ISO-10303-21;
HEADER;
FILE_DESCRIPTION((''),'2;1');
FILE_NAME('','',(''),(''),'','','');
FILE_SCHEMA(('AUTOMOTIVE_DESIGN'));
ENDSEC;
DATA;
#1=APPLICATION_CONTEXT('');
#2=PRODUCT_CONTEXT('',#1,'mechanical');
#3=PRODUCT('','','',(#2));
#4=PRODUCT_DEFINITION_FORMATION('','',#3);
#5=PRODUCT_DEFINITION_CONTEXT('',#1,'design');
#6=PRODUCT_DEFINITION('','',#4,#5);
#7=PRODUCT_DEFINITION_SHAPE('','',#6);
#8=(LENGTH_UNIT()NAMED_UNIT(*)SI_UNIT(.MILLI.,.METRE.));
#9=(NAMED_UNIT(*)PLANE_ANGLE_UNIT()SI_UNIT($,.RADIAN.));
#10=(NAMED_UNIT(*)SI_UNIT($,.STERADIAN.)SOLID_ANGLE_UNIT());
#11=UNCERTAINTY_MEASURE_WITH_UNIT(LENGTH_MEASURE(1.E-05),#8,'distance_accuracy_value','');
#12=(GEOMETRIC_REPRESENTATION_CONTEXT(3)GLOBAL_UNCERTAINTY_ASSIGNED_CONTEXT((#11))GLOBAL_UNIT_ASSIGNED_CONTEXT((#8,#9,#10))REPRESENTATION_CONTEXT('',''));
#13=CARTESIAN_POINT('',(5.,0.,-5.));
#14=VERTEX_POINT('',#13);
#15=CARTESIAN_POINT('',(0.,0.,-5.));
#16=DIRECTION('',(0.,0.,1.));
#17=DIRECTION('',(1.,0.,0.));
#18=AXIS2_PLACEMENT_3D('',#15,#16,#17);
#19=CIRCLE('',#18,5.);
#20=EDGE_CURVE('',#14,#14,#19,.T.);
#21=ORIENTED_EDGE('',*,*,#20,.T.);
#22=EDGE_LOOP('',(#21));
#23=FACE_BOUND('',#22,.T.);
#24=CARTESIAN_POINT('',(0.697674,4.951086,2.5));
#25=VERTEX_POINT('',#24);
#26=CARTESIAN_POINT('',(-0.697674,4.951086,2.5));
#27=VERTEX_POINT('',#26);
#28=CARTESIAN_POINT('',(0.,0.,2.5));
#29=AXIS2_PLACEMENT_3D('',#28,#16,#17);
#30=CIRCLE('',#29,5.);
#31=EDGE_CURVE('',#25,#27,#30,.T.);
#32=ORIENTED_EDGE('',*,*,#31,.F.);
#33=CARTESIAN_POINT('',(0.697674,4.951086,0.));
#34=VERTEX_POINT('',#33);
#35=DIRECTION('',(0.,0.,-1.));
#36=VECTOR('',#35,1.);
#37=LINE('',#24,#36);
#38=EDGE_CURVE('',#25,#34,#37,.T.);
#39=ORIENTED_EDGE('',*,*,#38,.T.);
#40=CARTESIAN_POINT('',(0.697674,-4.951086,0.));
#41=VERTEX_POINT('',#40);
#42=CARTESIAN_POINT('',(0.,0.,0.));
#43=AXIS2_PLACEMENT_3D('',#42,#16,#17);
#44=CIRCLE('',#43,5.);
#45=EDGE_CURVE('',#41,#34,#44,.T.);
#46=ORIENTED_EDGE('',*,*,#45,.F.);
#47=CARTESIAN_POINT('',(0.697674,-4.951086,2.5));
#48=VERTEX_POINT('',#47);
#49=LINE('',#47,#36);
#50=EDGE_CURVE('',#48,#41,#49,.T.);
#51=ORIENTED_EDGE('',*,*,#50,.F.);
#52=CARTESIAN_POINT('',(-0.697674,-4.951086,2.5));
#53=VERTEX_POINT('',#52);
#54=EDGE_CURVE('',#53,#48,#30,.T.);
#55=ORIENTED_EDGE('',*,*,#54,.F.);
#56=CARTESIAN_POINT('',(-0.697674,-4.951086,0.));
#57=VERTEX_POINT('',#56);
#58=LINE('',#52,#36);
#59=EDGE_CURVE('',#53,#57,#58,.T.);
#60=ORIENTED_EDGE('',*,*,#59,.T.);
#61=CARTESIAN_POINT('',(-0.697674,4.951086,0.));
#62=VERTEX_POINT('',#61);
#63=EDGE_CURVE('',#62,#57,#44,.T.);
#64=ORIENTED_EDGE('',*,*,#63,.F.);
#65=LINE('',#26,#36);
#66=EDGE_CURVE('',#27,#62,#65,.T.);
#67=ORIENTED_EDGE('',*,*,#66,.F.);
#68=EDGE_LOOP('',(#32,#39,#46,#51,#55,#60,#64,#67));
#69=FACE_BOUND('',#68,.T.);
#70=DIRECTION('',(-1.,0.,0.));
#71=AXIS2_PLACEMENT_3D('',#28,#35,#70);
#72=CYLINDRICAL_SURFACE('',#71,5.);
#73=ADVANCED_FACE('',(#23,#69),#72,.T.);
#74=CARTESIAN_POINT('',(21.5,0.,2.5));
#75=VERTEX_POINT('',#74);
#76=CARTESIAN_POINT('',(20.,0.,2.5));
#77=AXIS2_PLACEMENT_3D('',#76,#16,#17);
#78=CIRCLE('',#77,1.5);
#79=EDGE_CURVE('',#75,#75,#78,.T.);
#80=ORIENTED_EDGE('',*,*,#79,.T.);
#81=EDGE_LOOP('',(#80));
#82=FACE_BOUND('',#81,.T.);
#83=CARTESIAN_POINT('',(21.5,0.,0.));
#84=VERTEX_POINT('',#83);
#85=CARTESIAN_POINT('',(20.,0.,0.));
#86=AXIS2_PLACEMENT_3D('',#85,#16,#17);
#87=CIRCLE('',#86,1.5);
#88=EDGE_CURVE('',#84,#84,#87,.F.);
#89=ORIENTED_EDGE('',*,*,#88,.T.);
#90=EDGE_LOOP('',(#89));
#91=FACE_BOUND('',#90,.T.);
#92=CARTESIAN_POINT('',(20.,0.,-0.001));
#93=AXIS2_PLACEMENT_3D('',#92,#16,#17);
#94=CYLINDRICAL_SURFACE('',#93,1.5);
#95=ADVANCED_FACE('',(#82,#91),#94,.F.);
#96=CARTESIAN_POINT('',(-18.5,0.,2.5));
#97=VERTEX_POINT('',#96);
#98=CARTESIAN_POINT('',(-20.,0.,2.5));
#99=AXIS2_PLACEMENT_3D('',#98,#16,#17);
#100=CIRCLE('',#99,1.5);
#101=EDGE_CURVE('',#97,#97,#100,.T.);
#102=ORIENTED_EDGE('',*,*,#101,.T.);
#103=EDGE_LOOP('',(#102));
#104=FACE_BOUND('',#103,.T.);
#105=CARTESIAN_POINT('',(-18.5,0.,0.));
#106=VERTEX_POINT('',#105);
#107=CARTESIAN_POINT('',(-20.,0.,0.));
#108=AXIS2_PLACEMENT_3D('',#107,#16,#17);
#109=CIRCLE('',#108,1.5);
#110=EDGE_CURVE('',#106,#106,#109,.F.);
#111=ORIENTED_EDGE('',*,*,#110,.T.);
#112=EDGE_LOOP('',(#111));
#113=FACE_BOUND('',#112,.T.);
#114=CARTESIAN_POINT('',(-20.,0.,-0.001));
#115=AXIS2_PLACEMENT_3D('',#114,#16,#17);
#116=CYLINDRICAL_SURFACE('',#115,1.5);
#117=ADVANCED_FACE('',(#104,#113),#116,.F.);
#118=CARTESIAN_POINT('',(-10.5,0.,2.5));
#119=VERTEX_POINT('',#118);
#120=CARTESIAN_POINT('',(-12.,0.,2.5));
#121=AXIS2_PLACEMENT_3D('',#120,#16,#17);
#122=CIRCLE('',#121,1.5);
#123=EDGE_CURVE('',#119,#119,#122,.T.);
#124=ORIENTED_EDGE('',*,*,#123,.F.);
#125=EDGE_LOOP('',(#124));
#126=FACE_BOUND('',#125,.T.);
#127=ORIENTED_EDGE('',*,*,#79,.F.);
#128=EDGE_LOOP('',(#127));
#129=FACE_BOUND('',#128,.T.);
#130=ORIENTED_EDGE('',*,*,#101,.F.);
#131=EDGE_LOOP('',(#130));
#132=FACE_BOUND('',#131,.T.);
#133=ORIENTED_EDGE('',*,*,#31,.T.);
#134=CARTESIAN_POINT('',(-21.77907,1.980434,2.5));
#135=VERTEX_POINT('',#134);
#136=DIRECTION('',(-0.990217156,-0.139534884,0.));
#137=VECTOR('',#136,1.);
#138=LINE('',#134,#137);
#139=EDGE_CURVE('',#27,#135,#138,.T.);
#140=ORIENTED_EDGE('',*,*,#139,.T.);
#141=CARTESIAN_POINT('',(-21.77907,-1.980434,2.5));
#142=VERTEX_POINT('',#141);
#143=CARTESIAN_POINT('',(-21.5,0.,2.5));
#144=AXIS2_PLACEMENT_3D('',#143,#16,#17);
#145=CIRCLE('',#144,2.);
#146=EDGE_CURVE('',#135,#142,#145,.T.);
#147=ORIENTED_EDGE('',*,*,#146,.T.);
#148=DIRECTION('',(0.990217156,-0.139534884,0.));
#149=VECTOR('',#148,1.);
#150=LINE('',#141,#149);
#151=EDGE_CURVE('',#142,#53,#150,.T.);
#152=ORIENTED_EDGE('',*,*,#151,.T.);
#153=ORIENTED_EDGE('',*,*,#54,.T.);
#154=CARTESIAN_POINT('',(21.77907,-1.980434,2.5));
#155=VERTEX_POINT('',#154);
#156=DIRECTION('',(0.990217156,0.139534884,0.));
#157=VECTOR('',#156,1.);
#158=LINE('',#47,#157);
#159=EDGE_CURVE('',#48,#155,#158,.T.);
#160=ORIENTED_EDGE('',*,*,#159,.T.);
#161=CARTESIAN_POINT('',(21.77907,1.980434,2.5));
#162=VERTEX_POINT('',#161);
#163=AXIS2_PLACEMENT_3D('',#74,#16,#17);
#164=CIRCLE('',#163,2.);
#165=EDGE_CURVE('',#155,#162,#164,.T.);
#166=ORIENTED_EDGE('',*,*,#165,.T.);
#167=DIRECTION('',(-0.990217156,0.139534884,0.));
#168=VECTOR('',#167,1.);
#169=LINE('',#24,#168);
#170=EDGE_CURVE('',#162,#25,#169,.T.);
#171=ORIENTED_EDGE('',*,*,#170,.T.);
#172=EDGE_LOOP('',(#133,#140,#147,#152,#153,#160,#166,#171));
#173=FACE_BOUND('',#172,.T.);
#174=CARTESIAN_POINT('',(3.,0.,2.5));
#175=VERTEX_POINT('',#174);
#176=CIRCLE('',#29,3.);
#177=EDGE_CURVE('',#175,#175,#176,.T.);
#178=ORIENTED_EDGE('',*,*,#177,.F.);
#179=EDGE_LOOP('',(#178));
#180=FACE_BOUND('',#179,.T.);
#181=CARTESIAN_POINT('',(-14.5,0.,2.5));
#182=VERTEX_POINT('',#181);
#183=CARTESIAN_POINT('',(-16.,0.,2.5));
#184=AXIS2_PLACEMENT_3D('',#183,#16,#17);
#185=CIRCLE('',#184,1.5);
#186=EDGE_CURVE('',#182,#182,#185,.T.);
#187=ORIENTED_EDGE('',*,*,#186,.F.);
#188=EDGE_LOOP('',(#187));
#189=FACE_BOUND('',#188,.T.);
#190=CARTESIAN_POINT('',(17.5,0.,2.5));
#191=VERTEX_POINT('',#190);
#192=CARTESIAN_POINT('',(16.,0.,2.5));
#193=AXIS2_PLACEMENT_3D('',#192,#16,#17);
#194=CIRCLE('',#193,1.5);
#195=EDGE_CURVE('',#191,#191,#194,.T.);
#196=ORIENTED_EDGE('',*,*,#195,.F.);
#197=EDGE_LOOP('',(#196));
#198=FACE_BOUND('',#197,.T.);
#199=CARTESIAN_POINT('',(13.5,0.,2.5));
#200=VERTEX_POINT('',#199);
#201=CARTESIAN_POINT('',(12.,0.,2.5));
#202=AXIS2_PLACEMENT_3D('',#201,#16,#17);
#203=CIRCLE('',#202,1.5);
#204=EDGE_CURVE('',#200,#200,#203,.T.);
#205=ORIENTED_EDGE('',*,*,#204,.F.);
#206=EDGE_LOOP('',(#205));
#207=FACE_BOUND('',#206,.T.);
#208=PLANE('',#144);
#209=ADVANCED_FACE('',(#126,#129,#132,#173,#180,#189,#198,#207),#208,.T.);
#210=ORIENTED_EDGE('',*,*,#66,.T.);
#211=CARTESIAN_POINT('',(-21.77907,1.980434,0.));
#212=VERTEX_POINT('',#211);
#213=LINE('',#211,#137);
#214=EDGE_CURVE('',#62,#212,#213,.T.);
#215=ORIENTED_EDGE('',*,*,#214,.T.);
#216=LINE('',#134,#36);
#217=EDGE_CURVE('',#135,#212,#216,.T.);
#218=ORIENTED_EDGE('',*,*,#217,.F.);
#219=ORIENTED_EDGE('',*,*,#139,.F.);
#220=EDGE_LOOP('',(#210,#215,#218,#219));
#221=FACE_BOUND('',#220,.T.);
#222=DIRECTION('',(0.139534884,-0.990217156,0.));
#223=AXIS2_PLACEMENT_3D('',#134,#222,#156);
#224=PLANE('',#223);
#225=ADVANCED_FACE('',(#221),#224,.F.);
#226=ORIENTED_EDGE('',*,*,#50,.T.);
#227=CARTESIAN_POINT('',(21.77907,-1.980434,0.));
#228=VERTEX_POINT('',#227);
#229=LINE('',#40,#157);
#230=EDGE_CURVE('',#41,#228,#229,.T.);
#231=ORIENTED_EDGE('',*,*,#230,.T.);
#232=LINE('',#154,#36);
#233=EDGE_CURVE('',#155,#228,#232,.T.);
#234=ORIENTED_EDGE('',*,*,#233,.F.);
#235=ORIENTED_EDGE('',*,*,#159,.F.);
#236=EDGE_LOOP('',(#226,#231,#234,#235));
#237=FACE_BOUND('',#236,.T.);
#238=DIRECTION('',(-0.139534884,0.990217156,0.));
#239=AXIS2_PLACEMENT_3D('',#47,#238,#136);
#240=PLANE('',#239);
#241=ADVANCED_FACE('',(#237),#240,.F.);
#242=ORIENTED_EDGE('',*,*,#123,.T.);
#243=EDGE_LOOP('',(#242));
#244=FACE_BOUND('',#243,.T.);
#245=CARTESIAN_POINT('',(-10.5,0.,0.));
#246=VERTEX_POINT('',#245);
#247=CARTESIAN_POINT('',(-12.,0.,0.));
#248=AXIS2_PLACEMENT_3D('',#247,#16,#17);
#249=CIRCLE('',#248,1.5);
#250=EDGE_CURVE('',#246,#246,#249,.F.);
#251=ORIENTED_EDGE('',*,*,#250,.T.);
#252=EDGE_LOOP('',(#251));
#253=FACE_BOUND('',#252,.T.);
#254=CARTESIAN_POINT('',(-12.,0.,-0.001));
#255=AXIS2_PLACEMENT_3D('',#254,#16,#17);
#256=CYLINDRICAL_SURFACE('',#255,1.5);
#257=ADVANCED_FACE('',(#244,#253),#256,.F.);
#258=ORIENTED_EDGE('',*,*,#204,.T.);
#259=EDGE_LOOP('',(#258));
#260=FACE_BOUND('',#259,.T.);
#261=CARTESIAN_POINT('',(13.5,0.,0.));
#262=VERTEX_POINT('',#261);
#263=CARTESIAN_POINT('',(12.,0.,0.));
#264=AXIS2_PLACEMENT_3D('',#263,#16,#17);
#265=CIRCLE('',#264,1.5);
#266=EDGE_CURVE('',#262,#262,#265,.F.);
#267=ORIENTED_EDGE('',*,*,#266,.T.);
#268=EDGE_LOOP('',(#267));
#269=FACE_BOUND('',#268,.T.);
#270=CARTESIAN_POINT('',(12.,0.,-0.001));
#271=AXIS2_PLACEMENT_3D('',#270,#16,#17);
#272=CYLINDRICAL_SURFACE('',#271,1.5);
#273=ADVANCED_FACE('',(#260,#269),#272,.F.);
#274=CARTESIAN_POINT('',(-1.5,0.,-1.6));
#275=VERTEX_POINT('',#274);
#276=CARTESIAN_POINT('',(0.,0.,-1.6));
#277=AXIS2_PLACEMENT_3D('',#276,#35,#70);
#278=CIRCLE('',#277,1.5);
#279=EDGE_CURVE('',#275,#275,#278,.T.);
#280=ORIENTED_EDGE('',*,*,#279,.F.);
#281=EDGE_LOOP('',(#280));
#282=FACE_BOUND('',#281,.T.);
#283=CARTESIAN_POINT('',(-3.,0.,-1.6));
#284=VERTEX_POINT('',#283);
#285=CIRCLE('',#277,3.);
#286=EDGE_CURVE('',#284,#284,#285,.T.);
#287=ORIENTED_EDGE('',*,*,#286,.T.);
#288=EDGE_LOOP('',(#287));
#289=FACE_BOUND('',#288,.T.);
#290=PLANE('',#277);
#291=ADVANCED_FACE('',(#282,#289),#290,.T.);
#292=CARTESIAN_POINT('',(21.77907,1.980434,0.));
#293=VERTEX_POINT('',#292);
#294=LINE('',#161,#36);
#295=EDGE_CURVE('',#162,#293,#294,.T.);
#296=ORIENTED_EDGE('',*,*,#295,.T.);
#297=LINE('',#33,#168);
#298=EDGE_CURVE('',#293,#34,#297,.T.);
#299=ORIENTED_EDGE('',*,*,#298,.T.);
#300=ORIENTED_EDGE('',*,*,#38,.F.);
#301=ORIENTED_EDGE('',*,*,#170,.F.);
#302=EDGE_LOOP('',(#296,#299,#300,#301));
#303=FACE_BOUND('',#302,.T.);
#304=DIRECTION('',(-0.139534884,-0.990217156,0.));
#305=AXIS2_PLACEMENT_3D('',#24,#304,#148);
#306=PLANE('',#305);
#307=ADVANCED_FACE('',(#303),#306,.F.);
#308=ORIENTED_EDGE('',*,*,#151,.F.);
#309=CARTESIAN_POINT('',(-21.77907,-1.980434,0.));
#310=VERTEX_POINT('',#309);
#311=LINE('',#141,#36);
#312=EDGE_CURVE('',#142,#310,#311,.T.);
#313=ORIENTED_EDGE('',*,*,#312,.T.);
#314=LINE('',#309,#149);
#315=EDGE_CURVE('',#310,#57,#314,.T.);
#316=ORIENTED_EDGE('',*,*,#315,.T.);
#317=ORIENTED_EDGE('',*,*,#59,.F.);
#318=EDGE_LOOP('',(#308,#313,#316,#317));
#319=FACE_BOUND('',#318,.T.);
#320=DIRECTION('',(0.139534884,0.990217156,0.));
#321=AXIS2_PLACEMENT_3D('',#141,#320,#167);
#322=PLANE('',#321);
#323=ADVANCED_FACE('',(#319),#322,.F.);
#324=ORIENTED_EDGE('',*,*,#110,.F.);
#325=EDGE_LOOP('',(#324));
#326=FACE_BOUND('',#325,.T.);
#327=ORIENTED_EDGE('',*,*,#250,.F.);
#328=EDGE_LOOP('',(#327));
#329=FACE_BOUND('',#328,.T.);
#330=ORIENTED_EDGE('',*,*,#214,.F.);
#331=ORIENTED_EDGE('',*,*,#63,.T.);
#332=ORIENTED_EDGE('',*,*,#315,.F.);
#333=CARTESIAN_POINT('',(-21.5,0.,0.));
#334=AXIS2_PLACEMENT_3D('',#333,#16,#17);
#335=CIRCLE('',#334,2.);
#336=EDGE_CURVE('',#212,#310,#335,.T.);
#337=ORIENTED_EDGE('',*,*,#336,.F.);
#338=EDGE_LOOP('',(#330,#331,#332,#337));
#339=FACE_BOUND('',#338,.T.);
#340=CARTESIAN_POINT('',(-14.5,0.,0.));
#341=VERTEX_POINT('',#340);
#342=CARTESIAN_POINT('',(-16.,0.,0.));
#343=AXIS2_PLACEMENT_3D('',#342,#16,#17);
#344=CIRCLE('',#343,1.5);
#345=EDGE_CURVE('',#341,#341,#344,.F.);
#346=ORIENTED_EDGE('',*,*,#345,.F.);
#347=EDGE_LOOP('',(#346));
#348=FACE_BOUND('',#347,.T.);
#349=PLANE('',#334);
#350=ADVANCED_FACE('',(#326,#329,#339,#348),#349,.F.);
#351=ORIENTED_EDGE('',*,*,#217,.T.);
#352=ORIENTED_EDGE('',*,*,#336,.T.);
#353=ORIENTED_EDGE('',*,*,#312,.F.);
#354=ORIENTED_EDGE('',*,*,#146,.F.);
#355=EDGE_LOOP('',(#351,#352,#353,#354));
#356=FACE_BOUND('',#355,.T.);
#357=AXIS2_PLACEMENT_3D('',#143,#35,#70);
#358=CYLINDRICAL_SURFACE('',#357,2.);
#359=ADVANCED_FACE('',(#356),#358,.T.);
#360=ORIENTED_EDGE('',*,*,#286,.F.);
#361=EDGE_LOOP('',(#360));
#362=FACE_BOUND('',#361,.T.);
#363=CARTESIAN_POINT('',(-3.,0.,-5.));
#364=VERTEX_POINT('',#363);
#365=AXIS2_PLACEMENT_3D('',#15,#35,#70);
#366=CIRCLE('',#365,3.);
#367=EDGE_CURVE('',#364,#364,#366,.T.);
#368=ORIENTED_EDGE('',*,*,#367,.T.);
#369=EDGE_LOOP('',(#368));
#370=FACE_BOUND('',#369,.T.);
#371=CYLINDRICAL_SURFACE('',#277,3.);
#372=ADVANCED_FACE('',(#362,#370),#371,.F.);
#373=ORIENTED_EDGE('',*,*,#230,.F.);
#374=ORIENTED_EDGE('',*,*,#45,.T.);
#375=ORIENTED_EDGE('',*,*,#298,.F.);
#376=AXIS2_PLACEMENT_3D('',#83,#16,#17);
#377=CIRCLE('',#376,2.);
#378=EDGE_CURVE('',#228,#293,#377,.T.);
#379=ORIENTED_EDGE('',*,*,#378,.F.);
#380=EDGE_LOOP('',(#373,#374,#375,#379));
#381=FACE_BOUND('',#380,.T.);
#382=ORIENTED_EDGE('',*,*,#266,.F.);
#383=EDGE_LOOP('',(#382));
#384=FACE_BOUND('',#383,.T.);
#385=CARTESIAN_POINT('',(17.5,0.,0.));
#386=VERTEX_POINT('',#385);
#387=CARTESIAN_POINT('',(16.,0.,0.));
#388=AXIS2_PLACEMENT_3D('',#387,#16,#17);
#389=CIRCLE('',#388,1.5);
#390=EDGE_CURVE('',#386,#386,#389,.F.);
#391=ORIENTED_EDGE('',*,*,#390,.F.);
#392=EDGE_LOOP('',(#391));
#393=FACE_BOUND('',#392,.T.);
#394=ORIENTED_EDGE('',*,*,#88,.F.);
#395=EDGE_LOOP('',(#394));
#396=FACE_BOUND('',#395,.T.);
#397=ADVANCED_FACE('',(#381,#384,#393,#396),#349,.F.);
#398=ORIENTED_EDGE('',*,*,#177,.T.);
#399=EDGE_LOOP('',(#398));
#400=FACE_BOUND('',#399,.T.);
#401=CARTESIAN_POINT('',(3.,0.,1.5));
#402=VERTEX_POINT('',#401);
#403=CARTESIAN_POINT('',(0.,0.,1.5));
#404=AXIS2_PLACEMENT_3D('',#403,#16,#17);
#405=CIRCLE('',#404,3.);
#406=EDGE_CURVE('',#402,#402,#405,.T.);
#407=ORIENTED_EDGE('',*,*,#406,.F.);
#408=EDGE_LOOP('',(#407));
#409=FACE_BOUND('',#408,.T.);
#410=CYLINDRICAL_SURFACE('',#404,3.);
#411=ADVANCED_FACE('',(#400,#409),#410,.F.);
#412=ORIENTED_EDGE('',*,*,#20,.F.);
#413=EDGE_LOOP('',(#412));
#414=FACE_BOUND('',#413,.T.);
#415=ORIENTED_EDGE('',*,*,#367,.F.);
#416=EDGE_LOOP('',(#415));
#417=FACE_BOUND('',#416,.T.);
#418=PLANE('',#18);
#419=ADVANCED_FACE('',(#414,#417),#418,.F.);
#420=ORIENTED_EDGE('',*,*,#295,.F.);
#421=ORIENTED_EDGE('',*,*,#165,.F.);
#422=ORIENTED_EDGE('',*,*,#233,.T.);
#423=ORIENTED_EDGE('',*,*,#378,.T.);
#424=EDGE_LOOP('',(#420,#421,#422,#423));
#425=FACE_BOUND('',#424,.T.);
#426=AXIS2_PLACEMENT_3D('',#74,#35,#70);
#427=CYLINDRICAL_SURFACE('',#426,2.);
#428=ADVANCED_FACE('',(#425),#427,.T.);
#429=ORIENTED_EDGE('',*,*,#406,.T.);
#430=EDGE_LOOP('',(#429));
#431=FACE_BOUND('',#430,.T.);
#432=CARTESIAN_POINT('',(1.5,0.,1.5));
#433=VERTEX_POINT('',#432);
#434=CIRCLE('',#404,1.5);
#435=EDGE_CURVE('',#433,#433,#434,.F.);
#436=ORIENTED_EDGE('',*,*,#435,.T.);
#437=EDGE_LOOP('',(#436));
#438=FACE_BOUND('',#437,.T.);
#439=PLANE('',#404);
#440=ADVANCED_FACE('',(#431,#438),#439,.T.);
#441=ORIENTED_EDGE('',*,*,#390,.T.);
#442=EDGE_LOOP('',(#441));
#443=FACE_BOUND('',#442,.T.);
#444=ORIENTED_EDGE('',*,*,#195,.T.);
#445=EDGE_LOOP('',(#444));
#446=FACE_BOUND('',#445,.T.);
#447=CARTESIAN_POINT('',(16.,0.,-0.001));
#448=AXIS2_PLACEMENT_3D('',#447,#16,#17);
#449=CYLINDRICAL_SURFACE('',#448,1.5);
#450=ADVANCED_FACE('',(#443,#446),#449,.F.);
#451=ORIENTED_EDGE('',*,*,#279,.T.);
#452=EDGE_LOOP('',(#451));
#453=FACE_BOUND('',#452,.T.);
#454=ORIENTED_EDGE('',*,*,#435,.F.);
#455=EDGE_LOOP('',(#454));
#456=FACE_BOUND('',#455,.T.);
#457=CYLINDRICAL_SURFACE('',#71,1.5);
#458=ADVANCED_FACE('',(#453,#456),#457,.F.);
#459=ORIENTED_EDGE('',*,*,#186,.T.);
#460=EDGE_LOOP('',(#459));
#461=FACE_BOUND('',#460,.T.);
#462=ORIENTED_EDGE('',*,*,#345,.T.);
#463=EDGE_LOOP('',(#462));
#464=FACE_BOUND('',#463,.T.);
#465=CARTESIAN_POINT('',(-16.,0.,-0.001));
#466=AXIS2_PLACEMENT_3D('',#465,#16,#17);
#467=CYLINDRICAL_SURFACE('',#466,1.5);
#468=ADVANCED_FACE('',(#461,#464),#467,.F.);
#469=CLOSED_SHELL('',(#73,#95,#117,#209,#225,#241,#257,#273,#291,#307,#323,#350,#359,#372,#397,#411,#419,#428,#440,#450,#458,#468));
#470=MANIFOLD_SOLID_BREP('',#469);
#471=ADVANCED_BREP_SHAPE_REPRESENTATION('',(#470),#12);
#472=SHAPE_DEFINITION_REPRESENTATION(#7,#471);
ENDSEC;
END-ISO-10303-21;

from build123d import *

# Parameters (mm, degrees)
EXTRUDE_2_DEPTH     = 2.5
CUT_EXTRUDE_1_REACH = 4.5
SKETCH_3_R          = 1.5
SKETCH_5_R          = 5
EXTRUDE_3_DEPTH     = 7.5
SKETCH_6_R          = 3
CUT_EXTRUDE_2_DEPTH = 3.4
SKETCH_7_R          = 1.5
CUT_EXTRUDE_3_DEPTH = 5.1
SKETCH_8_R          = 3
CUT_EXTRUDE_4_DEPTH = 1


with BuildPart() as part:
    # 草图1 → 凸台-拉伸2 (new body)
    with BuildSketch(Plane.XY):
        with BuildLine():
            Line((-21.779069767, 1.980434312), (-0.697674419, 4.95108578))
            ThreePointArc((-0.697674419, 4.95108578), (0, 5), (0.697674419, 4.95108578))
            Line((0.697674419, 4.95108578), (21.779069767, 1.980434312))
            ThreePointArc((21.779069767, 1.980434312), (23.5, 0), (21.779069767, -1.980434312))
            Line((21.779069767, -1.980434312), (0.697674419, -4.95108578))
            ThreePointArc((0.697674419, -4.95108578), (0, -5), (-0.697674419, -4.95108578))
            Line((-0.697674419, -4.95108578), (-21.779069767, -1.980434312))
            ThreePointArc((-21.779069767, -1.980434312), (-23.5, 0), (-21.779069767, 1.980434312))
        make_face()
    extrude(amount=EXTRUDE_2_DEPTH)

    # 草图3 → 切除-拉伸1 (cut, up to next)
    with BuildSketch(Plane.XY.offset(2.5), mode=Mode.PRIVATE) as cut_extrude_1_sk1:
        with Locations((-12, 0)):
            Circle(SKETCH_3_R)
    cut_extrude_1_tool1 = extrude(cut_extrude_1_sk1.sketch, amount=-CUT_EXTRUDE_1_REACH, mode=Mode.PRIVATE) & part.part
    add(cut_extrude_1_tool1.solids().sort_by_distance((-12, 0, 2.5))[0], mode=Mode.SUBTRACT)
    # 草图3 → 切除-拉伸1 (cut, up to next)
    with BuildSketch(Plane.XY.offset(2.5), mode=Mode.PRIVATE) as cut_extrude_1_sk2:
        with Locations((-16, 0)):
            Circle(SKETCH_3_R)
    cut_extrude_1_tool2 = extrude(cut_extrude_1_sk2.sketch, amount=-CUT_EXTRUDE_1_REACH, mode=Mode.PRIVATE) & part.part
    add(cut_extrude_1_tool2.solids().sort_by_distance((-16, 0, 2.5))[0], mode=Mode.SUBTRACT)
    # 草图3 → 切除-拉伸1 (cut, up to next)
    with BuildSketch(Plane.XY.offset(2.5), mode=Mode.PRIVATE) as cut_extrude_1_sk3:
        with Locations((-20, 0)):
            Circle(SKETCH_3_R)
    cut_extrude_1_tool3 = extrude(cut_extrude_1_sk3.sketch, amount=-CUT_EXTRUDE_1_REACH, mode=Mode.PRIVATE) & part.part
    add(cut_extrude_1_tool3.solids().sort_by_distance((-20, 0, 2.5))[0], mode=Mode.SUBTRACT)
    # 草图3 → 切除-拉伸1 (cut, up to next)
    with BuildSketch(Plane.XY.offset(2.5), mode=Mode.PRIVATE) as cut_extrude_1_sk4:
        with Locations((12, 0)):
            Circle(SKETCH_3_R)
    cut_extrude_1_tool4 = extrude(cut_extrude_1_sk4.sketch, amount=-CUT_EXTRUDE_1_REACH, mode=Mode.PRIVATE) & part.part
    add(cut_extrude_1_tool4.solids().sort_by_distance((12, 0, 2.5))[0], mode=Mode.SUBTRACT)
    # 草图3 → 切除-拉伸1 (cut, up to next)
    with BuildSketch(Plane.XY.offset(2.5), mode=Mode.PRIVATE) as cut_extrude_1_sk5:
        with Locations((16, 0)):
            Circle(SKETCH_3_R)
    cut_extrude_1_tool5 = extrude(cut_extrude_1_sk5.sketch, amount=-CUT_EXTRUDE_1_REACH, mode=Mode.PRIVATE) & part.part
    add(cut_extrude_1_tool5.solids().sort_by_distance((16, 0, 2.5))[0], mode=Mode.SUBTRACT)
    # 草图3 → 切除-拉伸1 (cut, up to next)
    with BuildSketch(Plane.XY.offset(2.5), mode=Mode.PRIVATE) as cut_extrude_1_sk6:
        with Locations((20, 0)):
            Circle(SKETCH_3_R)
    cut_extrude_1_tool6 = extrude(cut_extrude_1_sk6.sketch, amount=-CUT_EXTRUDE_1_REACH, mode=Mode.PRIVATE) & part.part
    add(cut_extrude_1_tool6.solids().sort_by_distance((20, 0, 2.5))[0], mode=Mode.SUBTRACT)

    # 草图5 → 凸台-拉伸3 (add)
    with BuildSketch(Plane.XY.offset(2.5)):
        Circle(SKETCH_5_R)
    extrude(amount=-EXTRUDE_3_DEPTH)

    # 草图6 → 切除-拉伸2 (cut)
    with BuildSketch(Plane(origin=(0, 0, -5), x_dir=(-1, 0, 0), z_dir=(0, 0, -1))):
        Circle(SKETCH_6_R)
    extrude(amount=-CUT_EXTRUDE_2_DEPTH, mode=Mode.SUBTRACT)

    # 草图7 → 切除-拉伸3 (cut, through all)
    with BuildSketch(Plane(origin=(0, 0, -1.6), x_dir=(-1, 0, 0), z_dir=(0, 0, -1))):
        Circle(SKETCH_7_R)
    extrude(amount=-CUT_EXTRUDE_3_DEPTH, mode=Mode.SUBTRACT)

    # 草图8 → 切除-拉伸4 (cut)
    with BuildSketch(Plane.XY.offset(2.5)):
        Circle(SKETCH_8_R)
    extrude(amount=-CUT_EXTRUDE_4_DEPTH, mode=Mode.SUBTRACT)


solid = part.part
